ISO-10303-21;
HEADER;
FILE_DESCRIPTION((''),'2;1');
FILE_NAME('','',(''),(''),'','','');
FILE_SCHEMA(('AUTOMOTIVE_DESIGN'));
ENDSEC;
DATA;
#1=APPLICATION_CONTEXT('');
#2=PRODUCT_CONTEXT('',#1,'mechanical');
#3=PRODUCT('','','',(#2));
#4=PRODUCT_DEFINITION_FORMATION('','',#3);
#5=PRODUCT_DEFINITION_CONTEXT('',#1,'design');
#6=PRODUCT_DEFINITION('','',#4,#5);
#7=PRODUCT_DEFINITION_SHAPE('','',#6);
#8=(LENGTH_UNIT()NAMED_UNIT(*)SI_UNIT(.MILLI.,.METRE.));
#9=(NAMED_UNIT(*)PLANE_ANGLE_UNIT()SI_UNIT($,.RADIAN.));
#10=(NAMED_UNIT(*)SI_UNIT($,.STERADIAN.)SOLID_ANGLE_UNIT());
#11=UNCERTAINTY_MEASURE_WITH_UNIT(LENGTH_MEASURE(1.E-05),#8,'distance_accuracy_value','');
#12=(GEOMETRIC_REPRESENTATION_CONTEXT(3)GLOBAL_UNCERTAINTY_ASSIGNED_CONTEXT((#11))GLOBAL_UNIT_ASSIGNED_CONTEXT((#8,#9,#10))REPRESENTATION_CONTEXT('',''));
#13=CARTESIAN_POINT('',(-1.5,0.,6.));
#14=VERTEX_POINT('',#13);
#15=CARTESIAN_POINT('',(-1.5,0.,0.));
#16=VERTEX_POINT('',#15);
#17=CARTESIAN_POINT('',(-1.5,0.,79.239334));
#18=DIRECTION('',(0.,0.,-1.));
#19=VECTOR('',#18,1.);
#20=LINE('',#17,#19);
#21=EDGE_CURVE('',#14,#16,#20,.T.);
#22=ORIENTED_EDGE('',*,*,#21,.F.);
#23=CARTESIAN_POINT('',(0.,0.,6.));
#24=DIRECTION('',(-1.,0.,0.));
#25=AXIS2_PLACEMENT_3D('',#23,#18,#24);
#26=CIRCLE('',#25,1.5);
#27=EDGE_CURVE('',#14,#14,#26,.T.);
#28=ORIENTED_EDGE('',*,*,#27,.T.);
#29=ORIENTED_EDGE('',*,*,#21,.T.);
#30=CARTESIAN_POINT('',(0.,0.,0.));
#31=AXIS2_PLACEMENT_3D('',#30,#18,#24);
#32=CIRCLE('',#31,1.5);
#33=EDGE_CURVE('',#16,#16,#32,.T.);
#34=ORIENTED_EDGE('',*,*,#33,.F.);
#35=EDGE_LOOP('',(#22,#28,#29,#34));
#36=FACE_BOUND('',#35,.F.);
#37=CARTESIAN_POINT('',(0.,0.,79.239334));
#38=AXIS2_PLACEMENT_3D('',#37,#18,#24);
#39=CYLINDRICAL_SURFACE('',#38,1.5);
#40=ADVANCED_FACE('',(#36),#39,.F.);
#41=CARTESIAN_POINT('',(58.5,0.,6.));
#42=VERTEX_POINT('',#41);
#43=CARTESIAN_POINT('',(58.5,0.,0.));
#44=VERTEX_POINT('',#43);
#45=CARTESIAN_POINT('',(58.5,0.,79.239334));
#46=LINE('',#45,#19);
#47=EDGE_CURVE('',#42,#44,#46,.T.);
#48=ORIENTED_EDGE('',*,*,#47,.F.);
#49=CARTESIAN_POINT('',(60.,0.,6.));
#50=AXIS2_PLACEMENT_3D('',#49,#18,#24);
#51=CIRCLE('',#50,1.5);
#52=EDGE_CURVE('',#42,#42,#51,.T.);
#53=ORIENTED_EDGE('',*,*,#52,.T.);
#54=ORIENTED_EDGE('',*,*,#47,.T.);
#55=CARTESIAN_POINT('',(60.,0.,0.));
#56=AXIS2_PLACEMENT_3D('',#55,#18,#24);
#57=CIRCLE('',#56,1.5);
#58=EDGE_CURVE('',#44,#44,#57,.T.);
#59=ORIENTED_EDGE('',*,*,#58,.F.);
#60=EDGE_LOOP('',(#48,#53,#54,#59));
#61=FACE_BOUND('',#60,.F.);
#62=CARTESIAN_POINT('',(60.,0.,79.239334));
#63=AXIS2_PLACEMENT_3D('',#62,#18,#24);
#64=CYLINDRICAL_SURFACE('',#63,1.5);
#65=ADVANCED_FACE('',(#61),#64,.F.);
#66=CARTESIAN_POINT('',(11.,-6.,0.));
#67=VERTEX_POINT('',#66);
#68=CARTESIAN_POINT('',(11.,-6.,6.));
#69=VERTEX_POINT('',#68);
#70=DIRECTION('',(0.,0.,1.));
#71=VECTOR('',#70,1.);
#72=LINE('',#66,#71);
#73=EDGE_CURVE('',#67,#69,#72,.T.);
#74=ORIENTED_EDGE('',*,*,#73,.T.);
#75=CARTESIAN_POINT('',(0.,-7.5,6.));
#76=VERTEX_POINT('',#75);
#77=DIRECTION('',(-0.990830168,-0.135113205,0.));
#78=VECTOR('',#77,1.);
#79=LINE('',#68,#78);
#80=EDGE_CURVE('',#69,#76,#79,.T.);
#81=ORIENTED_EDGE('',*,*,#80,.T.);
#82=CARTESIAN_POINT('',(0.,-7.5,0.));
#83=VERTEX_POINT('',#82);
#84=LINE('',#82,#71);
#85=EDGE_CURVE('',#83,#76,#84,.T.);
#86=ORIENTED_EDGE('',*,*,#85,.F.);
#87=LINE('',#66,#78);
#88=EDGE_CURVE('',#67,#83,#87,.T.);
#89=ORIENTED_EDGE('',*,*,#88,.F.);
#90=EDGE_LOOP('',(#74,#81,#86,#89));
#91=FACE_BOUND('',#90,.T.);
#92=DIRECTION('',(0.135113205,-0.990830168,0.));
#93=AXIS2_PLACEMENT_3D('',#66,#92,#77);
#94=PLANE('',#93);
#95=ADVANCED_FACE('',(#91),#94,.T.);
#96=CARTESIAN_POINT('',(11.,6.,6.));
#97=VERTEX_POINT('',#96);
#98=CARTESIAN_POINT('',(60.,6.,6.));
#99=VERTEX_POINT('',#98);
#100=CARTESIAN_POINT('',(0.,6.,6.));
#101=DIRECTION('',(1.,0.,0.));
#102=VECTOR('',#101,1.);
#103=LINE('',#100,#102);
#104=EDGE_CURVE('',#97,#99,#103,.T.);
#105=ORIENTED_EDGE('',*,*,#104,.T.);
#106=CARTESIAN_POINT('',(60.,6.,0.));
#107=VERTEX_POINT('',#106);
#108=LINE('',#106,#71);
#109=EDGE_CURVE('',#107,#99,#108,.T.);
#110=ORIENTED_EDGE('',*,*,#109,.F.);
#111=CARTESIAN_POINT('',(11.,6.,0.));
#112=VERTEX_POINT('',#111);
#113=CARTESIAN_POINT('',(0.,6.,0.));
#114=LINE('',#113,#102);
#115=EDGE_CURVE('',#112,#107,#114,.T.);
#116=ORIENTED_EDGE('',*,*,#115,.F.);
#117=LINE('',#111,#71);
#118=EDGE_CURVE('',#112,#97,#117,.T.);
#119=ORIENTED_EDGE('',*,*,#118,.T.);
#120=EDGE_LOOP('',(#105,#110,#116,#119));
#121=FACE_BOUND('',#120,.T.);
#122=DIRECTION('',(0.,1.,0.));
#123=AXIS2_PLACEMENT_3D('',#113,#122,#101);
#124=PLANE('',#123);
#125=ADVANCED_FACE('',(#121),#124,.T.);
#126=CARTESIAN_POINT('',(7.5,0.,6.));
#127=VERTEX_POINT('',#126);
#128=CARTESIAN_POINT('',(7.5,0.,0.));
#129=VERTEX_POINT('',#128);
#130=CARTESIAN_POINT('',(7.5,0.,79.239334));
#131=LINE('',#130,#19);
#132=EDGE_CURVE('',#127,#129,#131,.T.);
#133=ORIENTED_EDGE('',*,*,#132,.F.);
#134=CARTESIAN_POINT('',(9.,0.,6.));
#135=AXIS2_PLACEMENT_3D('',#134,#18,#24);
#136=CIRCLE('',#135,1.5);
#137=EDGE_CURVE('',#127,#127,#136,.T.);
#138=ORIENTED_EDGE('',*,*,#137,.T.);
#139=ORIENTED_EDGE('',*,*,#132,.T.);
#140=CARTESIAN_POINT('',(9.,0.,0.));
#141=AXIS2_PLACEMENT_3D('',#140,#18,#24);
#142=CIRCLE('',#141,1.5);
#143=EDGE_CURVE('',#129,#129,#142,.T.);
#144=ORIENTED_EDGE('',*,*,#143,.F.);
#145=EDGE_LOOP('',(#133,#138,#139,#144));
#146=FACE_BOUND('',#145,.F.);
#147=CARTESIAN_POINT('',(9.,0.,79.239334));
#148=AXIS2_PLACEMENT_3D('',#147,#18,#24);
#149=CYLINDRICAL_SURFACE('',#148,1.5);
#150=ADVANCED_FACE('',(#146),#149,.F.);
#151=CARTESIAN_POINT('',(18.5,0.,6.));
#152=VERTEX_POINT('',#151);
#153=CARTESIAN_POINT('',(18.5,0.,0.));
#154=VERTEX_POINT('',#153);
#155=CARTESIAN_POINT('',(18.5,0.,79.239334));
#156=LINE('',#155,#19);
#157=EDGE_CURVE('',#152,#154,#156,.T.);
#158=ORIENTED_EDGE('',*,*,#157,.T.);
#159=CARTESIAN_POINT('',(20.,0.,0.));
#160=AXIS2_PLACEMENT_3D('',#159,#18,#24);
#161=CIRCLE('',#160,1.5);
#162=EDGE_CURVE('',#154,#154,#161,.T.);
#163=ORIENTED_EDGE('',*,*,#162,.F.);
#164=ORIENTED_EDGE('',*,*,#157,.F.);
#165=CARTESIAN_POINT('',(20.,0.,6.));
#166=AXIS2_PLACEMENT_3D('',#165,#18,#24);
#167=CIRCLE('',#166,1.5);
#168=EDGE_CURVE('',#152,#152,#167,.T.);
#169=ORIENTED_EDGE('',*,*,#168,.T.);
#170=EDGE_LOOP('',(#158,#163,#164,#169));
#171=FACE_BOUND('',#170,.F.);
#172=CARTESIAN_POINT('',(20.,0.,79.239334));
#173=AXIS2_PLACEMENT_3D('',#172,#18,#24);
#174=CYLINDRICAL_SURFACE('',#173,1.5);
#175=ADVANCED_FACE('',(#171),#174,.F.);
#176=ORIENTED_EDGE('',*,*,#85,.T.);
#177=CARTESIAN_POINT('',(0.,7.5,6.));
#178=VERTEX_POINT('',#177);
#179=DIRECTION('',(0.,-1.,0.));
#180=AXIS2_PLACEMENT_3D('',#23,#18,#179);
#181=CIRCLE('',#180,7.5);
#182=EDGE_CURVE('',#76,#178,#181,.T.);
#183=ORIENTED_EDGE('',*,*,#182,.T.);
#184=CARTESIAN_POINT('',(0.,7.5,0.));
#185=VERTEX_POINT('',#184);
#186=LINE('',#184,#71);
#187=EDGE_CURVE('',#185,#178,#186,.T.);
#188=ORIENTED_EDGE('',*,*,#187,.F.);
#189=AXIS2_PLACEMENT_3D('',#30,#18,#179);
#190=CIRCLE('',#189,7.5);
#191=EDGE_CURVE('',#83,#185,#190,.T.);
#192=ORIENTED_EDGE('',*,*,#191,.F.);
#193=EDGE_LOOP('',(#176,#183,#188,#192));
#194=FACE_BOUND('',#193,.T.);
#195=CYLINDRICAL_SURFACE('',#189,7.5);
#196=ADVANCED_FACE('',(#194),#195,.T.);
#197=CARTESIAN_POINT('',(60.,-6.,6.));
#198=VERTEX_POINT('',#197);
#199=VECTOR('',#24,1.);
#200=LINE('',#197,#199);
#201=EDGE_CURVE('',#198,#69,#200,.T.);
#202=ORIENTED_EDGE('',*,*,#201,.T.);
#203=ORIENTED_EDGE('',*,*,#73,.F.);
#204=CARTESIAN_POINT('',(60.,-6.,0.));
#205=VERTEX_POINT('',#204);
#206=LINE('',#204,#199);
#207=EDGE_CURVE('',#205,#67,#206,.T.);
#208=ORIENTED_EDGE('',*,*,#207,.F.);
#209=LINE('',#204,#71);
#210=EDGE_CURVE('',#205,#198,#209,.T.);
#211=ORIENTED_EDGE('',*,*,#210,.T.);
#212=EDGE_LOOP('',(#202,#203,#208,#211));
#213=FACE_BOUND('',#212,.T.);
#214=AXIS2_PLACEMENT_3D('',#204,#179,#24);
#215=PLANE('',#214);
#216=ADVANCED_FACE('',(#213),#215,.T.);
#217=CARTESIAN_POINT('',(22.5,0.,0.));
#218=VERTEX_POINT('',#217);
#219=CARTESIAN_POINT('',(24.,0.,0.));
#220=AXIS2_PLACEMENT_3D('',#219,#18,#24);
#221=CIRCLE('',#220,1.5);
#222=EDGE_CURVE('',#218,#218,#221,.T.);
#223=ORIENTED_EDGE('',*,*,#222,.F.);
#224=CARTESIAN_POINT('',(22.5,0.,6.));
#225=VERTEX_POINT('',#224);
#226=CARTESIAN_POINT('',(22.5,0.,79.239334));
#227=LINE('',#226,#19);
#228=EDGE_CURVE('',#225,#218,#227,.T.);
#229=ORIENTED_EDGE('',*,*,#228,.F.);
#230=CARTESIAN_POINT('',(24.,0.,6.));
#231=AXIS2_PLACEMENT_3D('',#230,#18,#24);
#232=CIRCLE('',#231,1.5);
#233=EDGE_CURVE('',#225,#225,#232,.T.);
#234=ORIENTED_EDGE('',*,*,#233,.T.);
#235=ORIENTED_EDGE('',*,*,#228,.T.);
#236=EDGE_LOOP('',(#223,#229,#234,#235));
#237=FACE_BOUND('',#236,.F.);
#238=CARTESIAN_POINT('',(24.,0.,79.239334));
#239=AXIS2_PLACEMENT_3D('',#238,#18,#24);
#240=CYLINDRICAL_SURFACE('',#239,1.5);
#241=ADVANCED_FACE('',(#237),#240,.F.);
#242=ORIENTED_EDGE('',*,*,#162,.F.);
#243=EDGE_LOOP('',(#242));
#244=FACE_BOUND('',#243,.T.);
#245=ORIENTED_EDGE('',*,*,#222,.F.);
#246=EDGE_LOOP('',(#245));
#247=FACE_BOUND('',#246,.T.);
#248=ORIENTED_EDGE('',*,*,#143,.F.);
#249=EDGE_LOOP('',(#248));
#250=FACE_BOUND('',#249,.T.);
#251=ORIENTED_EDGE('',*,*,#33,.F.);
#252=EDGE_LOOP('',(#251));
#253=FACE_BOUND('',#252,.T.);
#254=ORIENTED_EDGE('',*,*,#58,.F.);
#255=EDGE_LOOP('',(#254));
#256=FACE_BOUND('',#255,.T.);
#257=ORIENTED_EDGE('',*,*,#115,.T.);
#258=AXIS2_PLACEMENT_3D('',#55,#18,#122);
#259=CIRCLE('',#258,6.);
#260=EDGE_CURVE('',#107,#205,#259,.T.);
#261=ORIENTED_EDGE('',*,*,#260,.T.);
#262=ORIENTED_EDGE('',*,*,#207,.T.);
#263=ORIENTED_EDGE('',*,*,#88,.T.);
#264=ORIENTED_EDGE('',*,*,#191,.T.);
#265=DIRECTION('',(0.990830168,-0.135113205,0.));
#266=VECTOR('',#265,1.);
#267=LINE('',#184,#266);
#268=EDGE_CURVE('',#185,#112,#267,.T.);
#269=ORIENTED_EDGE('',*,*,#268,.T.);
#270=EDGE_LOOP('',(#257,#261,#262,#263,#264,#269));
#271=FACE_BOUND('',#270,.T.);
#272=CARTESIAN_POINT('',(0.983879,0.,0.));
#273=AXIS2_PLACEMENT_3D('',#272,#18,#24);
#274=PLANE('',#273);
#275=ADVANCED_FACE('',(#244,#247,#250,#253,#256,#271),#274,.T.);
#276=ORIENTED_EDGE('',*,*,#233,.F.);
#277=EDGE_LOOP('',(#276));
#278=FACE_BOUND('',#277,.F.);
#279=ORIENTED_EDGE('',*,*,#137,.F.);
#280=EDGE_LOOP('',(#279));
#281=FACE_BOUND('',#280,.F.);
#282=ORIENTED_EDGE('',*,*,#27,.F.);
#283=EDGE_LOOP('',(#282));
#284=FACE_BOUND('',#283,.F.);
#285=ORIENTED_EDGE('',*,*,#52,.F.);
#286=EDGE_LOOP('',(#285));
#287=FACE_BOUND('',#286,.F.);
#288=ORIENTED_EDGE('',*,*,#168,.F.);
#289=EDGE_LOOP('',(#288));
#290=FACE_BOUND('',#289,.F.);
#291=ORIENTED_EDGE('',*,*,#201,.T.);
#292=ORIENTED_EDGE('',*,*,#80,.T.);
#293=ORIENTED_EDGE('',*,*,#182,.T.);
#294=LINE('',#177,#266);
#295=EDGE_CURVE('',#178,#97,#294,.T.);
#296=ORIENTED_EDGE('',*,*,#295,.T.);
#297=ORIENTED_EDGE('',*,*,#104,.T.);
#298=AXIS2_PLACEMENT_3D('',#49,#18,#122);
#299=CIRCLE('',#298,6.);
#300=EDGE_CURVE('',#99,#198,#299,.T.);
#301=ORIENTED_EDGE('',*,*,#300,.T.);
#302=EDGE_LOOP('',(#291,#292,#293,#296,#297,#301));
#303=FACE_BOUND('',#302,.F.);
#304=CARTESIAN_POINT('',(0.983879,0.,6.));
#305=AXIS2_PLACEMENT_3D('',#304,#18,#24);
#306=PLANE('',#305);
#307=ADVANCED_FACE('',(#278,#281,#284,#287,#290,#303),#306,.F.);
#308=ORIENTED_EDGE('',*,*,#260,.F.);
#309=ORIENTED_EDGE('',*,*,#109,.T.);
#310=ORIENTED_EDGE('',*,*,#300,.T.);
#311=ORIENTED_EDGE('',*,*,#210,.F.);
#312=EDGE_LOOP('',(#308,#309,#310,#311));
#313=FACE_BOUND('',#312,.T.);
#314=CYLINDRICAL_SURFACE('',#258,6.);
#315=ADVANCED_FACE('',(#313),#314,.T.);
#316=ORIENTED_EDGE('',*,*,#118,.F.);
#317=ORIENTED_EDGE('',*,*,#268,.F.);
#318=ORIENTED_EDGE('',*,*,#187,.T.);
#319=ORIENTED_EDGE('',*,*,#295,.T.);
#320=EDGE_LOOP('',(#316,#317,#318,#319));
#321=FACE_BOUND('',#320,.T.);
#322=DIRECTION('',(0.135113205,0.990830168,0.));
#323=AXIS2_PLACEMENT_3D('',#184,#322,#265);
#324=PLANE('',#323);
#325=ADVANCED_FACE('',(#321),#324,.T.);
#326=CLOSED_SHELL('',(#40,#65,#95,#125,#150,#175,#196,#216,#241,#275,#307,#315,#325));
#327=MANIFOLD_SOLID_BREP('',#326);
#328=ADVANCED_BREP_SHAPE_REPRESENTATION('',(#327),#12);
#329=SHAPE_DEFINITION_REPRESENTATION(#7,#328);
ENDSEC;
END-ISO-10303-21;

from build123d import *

# Parameters (mm, degrees)
EXTRUDE_1_DEPTH    = 6
HOLE_WIZARD_M3_1_D = 3
EXTRUDE_3_DEPTH    = 6


with BuildPart() as part:
    # 草图1 → 凸台-拉伸1 (new body)
    with BuildSketch(Plane.XY):
        with BuildLine():
            Line((0, 6), (60, 6))
            ThreePointArc((60, 6), (66, 0), (60, -6))
            Line((60, -6), (0, -6))
            ThreePointArc((0, -6), (-6, 0), (0, 6))
        make_face()
    extrude(amount=EXTRUDE_1_DEPTH)

    # M3 螺纹孔1 (through all)
    with Locations(Plane.XY.offset(6)):
        with Locations((0, 0), (60, 0), (9, 0), (20, 0), (24, 0)):
            Hole(HOLE_WIZARD_M3_1_D / 2)

    # 草图4 → 凸台-拉伸3 (add)
    with BuildSketch(Plane.XY):
        with BuildLine():
            Line((0, 7.5), (11, 6))
            Line((11, 6), (0, 6))
            ThreePointArc((0, 6), (-6, 0), (0, -6))
            Line((0, -6), (11, -6))
            Line((11, -6), (0, -7.5))
            ThreePointArc((0, -7.5), (-7.5, 0), (0, 7.5))
        make_face()
    extrude(amount=EXTRUDE_3_DEPTH)


solid = part.part
